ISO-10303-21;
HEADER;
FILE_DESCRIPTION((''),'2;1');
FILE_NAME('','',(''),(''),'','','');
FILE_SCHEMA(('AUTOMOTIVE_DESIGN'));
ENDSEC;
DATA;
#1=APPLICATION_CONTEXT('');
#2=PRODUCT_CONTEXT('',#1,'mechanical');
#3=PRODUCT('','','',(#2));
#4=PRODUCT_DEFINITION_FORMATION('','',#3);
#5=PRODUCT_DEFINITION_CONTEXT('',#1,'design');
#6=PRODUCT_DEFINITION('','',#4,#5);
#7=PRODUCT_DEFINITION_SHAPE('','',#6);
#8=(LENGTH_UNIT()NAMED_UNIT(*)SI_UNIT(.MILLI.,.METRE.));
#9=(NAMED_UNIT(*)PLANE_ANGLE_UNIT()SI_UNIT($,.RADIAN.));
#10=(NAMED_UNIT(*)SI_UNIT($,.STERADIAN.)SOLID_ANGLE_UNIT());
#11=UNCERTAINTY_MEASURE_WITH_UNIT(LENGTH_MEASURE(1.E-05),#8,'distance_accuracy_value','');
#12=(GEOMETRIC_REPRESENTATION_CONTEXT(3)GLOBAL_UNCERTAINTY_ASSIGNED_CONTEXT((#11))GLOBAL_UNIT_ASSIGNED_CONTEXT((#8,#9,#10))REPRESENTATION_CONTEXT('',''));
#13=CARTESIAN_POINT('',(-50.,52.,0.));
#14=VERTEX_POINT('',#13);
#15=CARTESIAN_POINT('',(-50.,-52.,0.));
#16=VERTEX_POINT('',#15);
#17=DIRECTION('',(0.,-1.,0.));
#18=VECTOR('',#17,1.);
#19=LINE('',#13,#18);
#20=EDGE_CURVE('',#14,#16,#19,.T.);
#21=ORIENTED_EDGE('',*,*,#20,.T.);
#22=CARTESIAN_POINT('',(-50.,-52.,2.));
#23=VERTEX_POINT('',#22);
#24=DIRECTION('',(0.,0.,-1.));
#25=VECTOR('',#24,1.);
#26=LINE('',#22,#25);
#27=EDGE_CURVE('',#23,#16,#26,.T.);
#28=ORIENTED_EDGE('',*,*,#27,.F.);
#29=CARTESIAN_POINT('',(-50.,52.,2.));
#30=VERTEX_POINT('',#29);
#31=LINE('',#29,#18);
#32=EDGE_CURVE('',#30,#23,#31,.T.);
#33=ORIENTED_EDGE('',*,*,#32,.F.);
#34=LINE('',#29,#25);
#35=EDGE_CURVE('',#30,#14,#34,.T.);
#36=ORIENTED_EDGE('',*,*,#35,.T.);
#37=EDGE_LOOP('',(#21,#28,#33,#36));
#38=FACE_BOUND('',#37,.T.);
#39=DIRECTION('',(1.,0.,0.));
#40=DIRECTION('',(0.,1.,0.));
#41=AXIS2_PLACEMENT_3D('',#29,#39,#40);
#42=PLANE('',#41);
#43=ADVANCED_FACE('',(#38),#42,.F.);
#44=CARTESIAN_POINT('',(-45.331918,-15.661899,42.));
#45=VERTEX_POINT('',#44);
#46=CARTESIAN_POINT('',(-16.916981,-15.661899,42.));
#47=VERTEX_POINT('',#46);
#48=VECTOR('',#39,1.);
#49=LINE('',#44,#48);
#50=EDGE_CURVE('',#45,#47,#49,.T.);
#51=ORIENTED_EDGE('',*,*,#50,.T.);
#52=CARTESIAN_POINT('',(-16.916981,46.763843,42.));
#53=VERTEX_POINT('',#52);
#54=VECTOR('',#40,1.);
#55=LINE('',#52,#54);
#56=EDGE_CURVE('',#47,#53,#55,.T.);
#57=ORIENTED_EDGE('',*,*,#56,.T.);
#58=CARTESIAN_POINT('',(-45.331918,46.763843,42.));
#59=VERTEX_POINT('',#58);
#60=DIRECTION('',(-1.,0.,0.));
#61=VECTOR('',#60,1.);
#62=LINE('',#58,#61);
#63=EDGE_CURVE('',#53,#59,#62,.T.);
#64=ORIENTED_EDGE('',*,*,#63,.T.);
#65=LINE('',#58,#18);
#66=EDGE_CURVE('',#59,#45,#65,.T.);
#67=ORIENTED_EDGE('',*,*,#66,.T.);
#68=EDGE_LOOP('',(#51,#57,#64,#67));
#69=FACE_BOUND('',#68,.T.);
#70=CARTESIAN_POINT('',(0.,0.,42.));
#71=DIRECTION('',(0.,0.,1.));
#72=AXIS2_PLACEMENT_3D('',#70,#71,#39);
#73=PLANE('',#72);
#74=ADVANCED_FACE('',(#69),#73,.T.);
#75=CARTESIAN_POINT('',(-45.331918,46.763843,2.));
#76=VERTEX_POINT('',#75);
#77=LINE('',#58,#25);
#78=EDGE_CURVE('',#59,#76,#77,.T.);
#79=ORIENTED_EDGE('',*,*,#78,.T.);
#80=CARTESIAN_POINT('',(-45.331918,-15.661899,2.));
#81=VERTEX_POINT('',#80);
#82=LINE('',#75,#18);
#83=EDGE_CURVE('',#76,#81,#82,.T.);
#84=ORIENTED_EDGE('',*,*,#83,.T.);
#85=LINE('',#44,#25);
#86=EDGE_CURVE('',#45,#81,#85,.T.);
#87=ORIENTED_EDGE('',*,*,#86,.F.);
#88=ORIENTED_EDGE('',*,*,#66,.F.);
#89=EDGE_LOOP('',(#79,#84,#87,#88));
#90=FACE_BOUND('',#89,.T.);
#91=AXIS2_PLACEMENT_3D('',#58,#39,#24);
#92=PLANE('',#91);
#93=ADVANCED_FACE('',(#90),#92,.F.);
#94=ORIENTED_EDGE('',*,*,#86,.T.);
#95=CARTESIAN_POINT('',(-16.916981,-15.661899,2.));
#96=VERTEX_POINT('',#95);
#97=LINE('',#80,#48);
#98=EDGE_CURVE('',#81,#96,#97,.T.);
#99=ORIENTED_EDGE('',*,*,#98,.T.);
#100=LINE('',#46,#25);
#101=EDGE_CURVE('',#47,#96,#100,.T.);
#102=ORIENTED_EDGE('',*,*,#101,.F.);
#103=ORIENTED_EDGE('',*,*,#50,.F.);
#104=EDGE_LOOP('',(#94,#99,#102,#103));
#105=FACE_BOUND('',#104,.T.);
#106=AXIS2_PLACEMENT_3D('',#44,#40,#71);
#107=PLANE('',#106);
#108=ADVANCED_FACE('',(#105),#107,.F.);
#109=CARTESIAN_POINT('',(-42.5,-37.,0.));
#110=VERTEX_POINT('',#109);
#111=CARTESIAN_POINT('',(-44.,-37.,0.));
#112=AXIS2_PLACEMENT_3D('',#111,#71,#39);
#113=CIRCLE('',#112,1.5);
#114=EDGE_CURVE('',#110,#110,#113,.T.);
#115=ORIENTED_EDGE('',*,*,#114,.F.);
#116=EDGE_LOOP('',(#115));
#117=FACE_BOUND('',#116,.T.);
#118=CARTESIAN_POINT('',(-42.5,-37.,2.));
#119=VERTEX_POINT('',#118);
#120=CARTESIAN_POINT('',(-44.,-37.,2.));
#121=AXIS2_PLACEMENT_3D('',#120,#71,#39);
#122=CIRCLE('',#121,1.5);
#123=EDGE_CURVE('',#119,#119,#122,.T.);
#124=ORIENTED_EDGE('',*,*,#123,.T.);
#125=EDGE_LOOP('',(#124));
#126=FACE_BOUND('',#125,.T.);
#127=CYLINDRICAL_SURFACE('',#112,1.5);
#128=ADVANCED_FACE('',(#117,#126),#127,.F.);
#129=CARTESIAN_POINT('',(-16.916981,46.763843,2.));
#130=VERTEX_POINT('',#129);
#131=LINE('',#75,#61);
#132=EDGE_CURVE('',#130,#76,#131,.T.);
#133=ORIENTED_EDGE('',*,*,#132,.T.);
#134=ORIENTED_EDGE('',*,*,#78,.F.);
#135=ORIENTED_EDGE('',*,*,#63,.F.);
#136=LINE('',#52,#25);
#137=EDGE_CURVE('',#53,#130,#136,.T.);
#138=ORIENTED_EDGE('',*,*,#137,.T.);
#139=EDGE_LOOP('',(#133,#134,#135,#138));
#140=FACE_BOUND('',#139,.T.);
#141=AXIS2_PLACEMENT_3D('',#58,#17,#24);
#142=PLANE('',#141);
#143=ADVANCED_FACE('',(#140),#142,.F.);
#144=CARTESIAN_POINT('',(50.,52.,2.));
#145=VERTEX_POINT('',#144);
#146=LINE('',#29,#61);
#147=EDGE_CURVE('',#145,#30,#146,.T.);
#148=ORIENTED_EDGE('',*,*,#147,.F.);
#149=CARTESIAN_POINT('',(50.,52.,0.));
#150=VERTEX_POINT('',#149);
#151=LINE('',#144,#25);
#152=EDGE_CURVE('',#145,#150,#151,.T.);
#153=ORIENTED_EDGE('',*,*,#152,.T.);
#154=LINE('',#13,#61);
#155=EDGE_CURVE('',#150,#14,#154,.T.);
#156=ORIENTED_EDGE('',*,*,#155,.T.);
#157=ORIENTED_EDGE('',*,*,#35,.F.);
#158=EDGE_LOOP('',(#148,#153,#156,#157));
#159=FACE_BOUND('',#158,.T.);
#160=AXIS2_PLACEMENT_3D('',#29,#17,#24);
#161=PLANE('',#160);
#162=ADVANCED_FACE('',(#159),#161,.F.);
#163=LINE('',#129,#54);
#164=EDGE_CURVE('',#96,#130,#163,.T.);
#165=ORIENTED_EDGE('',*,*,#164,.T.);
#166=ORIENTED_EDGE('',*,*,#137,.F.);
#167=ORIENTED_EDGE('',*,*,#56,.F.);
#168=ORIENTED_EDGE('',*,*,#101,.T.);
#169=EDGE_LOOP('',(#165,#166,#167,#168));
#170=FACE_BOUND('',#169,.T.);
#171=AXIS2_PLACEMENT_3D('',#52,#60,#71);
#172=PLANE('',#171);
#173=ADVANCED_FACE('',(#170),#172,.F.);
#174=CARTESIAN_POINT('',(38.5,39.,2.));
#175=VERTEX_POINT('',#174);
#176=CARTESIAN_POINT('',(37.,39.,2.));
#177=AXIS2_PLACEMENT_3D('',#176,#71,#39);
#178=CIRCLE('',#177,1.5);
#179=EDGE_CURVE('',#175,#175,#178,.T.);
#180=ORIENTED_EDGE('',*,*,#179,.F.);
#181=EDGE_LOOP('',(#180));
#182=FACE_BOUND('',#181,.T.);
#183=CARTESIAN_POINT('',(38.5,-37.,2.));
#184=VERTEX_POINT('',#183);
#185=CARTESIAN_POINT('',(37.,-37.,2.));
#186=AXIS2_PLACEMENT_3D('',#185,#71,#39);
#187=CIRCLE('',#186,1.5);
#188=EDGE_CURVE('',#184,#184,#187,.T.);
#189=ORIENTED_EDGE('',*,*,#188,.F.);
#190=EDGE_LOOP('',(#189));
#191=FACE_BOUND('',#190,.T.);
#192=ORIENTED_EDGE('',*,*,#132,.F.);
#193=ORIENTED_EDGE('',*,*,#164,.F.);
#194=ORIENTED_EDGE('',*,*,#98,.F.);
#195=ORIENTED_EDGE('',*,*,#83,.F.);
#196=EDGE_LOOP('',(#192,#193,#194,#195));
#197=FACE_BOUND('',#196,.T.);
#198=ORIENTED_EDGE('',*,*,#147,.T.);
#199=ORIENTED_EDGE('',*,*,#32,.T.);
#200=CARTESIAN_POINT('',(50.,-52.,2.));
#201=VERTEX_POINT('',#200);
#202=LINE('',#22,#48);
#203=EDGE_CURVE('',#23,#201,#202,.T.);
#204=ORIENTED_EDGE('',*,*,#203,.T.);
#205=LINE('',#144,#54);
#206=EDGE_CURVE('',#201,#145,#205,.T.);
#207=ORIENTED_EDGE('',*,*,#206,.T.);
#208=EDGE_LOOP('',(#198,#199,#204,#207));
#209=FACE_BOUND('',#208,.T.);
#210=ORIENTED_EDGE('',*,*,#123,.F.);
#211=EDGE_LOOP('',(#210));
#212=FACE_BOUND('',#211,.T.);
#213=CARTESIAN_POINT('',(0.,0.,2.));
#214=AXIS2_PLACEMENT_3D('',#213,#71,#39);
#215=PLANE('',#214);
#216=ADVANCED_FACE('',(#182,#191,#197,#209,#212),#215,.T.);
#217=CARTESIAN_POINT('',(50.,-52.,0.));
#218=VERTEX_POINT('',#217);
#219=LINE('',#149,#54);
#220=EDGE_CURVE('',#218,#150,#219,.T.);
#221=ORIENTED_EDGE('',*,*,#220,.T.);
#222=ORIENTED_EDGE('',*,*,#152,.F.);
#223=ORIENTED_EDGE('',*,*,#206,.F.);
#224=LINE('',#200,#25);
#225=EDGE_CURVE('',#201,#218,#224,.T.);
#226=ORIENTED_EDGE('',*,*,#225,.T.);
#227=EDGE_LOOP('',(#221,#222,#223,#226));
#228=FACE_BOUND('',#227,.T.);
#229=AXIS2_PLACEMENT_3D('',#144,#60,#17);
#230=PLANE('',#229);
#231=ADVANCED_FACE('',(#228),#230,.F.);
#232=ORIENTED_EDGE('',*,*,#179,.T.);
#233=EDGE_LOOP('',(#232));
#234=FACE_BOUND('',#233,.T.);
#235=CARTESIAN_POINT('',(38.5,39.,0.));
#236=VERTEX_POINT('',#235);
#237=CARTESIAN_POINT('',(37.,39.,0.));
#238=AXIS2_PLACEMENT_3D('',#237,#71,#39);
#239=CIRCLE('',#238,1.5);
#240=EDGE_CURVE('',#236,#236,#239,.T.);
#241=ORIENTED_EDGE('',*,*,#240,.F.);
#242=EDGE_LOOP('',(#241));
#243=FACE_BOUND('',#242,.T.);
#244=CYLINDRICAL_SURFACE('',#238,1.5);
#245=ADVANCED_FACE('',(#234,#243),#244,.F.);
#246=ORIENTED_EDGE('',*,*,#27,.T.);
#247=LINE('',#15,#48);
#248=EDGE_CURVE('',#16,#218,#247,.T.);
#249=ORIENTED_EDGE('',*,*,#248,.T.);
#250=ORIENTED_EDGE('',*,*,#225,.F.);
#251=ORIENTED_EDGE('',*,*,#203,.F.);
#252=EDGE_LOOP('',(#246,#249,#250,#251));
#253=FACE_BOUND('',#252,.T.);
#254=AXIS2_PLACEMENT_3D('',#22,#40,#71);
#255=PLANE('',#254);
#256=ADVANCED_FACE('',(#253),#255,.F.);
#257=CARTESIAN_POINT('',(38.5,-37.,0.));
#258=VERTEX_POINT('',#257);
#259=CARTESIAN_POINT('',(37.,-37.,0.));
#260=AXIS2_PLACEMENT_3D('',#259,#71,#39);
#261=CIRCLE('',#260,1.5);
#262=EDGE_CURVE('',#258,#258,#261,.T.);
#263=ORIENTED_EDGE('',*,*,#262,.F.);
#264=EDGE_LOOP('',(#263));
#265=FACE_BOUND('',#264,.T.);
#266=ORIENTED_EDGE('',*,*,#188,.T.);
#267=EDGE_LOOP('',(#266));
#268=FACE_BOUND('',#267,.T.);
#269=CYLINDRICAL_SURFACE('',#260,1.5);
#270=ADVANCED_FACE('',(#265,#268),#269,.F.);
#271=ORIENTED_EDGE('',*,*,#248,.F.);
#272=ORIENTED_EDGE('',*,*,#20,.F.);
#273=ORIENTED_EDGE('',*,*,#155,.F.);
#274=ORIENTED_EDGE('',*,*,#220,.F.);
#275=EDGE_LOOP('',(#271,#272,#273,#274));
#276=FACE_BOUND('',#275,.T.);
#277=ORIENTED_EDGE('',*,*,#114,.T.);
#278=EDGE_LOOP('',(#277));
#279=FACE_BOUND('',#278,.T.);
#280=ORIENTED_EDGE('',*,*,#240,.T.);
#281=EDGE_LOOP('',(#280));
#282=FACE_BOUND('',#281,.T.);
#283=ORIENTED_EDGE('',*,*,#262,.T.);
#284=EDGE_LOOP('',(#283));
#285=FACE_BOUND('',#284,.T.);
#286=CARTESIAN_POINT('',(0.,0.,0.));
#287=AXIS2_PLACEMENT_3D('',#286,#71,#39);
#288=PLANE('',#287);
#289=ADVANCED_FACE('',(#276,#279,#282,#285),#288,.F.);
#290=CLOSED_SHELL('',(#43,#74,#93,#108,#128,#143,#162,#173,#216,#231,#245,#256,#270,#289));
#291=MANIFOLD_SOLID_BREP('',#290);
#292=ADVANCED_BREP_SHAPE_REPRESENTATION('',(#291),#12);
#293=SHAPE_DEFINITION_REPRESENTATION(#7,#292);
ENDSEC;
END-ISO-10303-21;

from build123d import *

# Parameters (mm, degrees)
SKETCH1_W           = 100
SKETCH1_H           = 104
BOSS_EXTRUDE1_DEPTH = 2
SKETCH2_R           = 1.5
CUT_EXTRUDE1_DEPTH  = 2
SKETCH3_W           = 28.414936843
SKETCH3_H           = 62.425741265
BOSS_EXTRUDE2_DEPTH = 40


with BuildPart() as part:
    # Sketch1 → Boss-Extrude1 (new body)
    with BuildSketch(Plane.XY):
        Rectangle(SKETCH1_W, SKETCH1_H)
    extrude(amount=BOSS_EXTRUDE1_DEPTH)

    # Sketch2 → Cut-Extrude1 (cut)
    with BuildSketch(Plane.XY.offset(2)):
        with Locations((-44, -37)):
            Circle(SKETCH2_R)
        with Locations((37, -37)):
            Circle(SKETCH2_R)
        with Locations((37, 39)):
            Circle(SKETCH2_R)
    extrude(amount=-CUT_EXTRUDE1_DEPTH, mode=Mode.SUBTRACT)

    # Sketch3 → Boss-Extrude2 (add)
    with BuildSketch(Plane.XY.offset(2)):
        with Locations((-31.124449574, 15.550972076)):
            Rectangle(SKETCH3_W, SKETCH3_H)
    extrude(amount=BOSS_EXTRUDE2_DEPTH)


solid = part.part
